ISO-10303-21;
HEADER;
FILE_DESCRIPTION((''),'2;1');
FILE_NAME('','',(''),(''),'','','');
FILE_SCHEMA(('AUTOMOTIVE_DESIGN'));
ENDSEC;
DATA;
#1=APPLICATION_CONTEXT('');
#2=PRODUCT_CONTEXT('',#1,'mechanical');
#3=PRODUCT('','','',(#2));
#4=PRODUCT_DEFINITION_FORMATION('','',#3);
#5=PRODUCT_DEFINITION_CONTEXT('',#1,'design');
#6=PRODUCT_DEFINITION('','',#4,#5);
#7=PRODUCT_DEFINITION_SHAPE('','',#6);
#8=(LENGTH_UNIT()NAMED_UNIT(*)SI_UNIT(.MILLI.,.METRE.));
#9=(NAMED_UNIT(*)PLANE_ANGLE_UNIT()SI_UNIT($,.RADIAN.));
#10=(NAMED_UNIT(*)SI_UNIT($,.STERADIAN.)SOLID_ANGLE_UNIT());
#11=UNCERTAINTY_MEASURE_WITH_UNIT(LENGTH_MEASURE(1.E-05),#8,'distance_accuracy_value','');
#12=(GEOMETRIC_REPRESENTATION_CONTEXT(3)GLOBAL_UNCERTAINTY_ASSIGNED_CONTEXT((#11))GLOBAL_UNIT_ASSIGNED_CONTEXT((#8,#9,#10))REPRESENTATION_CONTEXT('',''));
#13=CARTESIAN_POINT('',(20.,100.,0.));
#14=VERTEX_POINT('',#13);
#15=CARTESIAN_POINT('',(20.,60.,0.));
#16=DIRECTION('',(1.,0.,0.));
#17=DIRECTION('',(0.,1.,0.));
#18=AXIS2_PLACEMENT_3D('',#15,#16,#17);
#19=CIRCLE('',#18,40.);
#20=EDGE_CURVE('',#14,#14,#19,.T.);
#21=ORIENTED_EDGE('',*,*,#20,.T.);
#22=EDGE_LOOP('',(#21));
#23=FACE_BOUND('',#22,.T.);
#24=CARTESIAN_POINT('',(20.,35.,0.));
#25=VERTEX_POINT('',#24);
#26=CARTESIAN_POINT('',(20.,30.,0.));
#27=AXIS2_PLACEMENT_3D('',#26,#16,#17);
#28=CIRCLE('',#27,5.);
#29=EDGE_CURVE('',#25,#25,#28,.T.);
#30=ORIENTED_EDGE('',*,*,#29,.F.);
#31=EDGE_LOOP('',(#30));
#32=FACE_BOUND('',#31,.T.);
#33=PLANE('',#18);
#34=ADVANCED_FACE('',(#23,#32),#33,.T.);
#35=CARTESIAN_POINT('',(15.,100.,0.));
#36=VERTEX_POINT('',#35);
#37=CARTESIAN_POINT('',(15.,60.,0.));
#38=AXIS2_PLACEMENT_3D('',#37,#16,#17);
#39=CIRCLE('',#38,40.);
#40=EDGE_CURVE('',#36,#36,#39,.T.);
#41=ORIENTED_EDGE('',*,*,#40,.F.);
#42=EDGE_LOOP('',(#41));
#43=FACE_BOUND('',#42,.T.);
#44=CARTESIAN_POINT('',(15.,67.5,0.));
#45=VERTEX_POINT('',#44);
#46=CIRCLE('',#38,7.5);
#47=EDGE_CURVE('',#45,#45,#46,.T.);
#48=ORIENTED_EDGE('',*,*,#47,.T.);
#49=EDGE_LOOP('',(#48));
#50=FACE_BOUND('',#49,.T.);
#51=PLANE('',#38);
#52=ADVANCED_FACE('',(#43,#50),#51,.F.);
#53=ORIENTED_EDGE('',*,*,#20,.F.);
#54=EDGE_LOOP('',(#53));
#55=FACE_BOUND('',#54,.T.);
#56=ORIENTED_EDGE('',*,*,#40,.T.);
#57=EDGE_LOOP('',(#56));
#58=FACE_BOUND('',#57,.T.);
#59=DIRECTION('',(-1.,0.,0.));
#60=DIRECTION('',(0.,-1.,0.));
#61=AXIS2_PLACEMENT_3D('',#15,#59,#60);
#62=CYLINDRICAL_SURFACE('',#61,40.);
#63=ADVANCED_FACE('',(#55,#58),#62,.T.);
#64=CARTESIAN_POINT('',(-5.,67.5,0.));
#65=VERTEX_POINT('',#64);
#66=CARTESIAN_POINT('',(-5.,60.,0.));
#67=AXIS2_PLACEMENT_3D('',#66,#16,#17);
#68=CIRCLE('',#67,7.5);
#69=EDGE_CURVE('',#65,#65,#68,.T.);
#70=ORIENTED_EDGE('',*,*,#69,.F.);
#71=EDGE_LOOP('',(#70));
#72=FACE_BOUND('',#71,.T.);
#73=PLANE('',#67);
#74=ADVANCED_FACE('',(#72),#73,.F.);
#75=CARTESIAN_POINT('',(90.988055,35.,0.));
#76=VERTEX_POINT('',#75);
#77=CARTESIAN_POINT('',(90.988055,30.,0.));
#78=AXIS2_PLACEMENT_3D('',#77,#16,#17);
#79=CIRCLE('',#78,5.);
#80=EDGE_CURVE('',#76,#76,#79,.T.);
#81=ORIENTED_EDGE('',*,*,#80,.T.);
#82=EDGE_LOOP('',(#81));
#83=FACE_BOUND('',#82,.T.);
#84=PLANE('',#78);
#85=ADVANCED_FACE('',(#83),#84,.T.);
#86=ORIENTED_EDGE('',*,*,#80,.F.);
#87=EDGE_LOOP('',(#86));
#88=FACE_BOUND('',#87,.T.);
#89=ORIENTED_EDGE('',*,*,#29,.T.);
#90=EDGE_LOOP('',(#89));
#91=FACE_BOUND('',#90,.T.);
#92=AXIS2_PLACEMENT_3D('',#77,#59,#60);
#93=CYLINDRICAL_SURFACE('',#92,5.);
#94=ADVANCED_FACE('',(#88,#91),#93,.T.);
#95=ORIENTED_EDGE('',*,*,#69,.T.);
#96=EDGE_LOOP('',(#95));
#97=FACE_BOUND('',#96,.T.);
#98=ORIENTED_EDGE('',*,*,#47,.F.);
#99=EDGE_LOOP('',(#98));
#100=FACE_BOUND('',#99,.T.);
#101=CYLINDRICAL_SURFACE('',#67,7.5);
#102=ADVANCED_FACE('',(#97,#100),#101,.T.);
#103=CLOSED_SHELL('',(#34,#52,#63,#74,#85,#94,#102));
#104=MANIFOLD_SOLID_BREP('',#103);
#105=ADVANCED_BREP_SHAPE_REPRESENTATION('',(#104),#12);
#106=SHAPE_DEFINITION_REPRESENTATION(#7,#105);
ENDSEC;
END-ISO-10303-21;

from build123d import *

# Parameters (mm, degrees)
SKETCH2_R                = 7.5
BOSS_EXTRUDE1_DEPTH      = 5
BOSS_EXTRUDE1_DEPTH_BACK = 15
SKETCH3_R                = 40
BOSS_EXTRUDE2_DEPTH      = 5
SKETCH4_R                = 5
BOSS_EXTRUDE3_DEPTH      = 70.98805519


with BuildPart() as part:
    # Sketch2 → Boss-Extrude1 (new body, two sides)
    with BuildSketch(Plane(origin=(10, 0, 0), x_dir=(0, 0, -1), z_dir=(1, 0, 0))) as boss_extrude1_sk:
        with Locations((0, 60)):
            Circle(SKETCH2_R)
    extrude(amount=BOSS_EXTRUDE1_DEPTH)
    extrude(boss_extrude1_sk.sketch, amount=-BOSS_EXTRUDE1_DEPTH_BACK)

    # Sketch3 → Boss-Extrude2 (add)
    with BuildSketch(Plane(origin=(15, 0, 0), x_dir=(0, 0, -1), z_dir=(1, 0, 0))):
        with Locations((0, 60)):
            Circle(SKETCH3_R)
    extrude(amount=BOSS_EXTRUDE2_DEPTH)

    # Sketch4 → Boss-Extrude3 (add)
    with BuildSketch(Plane(origin=(20, 0, 0), x_dir=(0, 0, -1), z_dir=(1, 0, 0))):
        with Locations((0, 30)):
            Circle(SKETCH4_R)
    extrude(amount=BOSS_EXTRUDE3_DEPTH)


solid = part.part
